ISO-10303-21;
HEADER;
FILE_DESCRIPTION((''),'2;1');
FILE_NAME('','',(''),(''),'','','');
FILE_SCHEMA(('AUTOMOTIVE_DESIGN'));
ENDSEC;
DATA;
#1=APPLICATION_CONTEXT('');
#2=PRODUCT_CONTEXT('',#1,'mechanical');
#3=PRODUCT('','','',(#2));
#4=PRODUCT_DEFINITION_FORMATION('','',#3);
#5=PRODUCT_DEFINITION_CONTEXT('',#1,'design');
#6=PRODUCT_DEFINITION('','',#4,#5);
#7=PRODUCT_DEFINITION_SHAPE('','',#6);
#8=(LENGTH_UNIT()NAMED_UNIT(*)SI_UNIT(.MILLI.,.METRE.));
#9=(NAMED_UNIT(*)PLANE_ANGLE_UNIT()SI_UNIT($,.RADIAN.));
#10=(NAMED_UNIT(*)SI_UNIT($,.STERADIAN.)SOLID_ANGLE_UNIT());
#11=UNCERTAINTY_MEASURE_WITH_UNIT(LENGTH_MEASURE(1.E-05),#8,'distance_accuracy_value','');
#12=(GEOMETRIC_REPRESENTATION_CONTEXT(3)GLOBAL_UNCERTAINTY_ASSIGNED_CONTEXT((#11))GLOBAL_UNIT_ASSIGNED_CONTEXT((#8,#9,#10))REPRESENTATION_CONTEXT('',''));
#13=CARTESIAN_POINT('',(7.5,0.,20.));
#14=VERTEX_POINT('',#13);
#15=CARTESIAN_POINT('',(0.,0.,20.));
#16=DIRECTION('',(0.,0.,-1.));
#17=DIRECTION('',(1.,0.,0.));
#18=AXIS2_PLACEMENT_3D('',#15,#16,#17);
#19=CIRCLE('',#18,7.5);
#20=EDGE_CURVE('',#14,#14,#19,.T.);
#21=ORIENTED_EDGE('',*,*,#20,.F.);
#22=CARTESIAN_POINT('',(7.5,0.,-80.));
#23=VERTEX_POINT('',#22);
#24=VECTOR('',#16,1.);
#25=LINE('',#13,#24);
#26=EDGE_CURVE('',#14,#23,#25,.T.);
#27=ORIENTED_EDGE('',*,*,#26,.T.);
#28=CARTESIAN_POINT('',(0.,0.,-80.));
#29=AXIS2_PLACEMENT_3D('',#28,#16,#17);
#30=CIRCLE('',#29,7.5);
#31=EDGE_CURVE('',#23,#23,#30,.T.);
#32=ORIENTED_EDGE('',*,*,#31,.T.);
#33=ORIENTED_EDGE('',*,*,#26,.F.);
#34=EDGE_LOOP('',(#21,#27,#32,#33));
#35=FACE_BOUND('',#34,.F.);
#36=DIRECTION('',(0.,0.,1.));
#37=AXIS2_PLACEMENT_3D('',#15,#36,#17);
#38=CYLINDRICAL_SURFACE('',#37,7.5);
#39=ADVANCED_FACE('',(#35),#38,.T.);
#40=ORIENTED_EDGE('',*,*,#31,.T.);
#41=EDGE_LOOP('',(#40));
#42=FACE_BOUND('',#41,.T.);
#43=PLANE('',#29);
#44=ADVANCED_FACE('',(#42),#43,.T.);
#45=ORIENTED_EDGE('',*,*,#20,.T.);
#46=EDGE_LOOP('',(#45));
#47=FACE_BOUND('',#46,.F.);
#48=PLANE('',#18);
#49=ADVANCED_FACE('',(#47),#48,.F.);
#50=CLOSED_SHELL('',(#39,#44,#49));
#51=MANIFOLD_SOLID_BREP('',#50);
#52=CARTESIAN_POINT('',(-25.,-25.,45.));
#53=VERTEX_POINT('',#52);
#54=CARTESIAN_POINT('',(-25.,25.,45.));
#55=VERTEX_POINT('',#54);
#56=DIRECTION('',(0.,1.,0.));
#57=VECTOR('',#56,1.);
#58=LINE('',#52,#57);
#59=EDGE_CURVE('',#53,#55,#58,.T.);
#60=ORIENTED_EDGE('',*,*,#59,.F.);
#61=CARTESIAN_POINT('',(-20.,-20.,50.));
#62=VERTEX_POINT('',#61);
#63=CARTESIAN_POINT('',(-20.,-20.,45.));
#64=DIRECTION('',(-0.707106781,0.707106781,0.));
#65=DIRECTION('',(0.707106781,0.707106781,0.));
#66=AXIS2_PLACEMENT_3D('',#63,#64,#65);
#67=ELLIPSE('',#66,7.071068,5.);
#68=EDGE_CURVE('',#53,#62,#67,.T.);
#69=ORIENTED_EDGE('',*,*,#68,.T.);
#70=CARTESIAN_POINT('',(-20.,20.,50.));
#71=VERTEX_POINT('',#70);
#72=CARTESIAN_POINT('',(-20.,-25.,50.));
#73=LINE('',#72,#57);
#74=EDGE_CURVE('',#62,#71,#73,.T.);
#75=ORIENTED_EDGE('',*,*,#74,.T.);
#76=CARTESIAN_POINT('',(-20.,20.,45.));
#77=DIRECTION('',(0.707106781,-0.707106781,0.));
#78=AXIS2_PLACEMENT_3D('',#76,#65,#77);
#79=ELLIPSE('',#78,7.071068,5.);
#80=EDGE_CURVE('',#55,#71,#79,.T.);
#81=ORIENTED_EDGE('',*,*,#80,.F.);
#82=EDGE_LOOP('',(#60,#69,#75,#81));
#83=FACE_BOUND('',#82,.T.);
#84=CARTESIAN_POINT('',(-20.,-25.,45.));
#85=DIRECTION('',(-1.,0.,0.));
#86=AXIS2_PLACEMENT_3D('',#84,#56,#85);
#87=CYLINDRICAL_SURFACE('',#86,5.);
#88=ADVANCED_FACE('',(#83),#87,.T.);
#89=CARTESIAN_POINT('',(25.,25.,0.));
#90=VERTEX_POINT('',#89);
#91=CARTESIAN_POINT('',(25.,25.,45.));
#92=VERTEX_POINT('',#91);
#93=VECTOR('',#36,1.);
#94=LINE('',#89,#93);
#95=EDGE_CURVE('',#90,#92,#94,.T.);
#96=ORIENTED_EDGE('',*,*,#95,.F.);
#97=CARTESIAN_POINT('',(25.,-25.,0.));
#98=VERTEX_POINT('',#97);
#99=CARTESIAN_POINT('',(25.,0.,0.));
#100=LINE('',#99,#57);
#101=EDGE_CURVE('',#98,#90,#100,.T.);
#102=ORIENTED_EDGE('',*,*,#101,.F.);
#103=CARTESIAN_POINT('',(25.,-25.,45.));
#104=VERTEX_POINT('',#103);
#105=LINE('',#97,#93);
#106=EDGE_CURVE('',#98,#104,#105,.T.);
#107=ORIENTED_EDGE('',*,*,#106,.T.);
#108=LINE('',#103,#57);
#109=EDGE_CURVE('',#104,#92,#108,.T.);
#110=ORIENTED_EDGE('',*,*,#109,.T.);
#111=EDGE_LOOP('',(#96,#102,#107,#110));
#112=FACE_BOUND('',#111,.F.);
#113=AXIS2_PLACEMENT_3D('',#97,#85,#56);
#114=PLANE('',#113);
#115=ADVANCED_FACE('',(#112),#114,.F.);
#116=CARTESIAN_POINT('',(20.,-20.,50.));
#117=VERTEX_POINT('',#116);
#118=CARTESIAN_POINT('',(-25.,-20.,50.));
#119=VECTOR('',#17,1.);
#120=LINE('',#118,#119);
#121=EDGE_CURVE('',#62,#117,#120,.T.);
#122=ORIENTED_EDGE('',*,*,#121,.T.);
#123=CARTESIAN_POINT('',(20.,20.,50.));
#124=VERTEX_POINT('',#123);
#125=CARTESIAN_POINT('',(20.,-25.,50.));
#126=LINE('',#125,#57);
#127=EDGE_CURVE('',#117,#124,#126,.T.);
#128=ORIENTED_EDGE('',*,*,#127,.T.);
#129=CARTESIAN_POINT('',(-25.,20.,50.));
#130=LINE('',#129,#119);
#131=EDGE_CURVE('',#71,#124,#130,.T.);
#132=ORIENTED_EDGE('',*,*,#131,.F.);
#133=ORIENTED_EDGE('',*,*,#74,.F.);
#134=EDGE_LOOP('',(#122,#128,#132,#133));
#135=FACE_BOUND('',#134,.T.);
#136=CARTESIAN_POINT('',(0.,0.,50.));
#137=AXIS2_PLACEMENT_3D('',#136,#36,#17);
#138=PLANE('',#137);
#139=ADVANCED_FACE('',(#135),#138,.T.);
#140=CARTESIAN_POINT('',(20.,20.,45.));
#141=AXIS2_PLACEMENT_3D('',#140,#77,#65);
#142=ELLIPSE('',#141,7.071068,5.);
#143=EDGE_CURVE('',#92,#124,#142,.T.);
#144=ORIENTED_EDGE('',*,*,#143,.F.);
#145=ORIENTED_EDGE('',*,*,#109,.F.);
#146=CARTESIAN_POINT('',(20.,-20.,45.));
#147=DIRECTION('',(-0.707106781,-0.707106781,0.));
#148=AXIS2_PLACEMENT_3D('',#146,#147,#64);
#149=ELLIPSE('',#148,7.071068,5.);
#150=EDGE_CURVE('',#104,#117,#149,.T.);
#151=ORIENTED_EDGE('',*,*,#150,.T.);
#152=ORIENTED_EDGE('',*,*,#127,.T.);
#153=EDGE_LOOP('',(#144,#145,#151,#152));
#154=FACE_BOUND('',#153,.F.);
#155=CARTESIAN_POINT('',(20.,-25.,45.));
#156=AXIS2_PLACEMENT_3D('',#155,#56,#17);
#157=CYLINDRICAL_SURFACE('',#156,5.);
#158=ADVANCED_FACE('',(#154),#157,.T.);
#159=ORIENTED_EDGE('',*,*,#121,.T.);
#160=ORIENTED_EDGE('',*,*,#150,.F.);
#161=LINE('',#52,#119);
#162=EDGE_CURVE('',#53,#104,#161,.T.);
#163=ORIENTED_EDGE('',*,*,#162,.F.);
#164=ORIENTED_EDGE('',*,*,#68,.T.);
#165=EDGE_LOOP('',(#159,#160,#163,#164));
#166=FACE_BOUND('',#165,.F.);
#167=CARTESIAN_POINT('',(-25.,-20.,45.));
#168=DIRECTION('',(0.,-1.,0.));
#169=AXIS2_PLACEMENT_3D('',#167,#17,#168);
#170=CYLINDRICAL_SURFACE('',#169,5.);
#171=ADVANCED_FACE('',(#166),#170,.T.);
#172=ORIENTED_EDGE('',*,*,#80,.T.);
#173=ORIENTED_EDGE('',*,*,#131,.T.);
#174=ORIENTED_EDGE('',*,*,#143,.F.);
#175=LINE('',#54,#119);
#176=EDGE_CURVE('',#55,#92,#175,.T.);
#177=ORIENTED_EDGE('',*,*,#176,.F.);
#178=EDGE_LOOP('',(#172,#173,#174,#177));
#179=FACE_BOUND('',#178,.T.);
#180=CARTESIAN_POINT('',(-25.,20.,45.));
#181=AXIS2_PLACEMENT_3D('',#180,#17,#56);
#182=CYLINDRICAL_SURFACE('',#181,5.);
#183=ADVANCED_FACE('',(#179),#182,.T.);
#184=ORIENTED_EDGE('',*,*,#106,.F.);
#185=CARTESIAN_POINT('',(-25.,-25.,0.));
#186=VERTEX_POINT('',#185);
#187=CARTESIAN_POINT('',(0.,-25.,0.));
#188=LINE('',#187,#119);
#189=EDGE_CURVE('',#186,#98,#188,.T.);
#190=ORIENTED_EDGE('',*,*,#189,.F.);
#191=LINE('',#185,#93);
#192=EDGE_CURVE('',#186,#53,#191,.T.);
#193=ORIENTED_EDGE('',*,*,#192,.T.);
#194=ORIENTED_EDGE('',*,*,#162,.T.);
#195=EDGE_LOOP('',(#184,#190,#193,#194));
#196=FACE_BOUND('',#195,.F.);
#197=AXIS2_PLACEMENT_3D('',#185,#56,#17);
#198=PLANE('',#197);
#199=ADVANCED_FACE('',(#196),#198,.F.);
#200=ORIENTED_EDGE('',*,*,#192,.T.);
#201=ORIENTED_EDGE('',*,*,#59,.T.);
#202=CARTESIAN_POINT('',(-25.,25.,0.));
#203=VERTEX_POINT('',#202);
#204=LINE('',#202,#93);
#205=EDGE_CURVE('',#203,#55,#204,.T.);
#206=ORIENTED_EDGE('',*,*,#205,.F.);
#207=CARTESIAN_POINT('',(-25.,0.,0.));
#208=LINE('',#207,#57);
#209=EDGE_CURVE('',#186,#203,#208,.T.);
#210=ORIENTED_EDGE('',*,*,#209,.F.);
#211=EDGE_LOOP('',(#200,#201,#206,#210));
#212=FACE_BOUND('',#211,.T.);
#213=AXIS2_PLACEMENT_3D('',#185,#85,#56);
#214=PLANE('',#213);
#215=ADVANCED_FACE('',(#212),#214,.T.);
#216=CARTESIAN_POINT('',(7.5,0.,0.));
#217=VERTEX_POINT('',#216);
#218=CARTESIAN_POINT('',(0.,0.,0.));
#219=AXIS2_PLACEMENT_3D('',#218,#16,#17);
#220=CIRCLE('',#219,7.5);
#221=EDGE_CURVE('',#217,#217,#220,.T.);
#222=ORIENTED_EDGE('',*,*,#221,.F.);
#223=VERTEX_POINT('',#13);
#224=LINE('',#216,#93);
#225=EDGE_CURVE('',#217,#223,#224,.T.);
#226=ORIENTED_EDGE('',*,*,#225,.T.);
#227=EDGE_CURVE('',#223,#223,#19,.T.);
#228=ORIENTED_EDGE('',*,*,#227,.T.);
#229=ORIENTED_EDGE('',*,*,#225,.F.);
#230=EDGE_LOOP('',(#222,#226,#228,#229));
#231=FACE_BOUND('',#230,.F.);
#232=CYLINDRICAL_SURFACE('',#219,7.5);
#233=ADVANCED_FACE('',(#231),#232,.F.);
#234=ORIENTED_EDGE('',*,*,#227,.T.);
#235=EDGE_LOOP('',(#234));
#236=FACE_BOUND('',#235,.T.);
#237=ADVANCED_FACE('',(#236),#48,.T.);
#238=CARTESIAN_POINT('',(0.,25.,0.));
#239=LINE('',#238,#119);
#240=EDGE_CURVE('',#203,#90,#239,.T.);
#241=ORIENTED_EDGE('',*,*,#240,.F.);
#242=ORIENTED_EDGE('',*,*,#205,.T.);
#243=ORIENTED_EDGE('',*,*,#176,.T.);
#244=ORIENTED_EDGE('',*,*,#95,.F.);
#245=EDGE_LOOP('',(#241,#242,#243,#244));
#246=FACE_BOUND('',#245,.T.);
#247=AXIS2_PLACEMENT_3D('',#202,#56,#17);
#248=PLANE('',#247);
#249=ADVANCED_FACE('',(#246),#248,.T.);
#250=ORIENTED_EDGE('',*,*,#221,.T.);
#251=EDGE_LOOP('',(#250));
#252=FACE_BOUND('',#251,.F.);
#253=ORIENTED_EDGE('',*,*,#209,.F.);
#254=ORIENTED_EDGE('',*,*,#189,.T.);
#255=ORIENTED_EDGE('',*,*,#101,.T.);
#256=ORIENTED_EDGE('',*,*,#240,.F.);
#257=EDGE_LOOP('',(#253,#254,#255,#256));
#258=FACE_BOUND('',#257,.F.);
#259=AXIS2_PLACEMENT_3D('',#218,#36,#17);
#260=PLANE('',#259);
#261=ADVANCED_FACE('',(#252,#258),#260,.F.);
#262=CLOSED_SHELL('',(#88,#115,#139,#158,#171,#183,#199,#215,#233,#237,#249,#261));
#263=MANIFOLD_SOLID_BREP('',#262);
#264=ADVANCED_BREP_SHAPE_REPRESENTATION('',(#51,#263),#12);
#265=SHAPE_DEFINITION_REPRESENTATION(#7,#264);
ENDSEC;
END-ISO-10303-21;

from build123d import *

# Parameters (mm, degrees)
F0_W      = 50
F0_H      = 50
F1_DEPTH  = 50
F2_R      = 5
F3_R      = 7.5
F4_DEPTH  = 20
F4_FACE_R = 7.5
F5_DEPTH  = 100


with BuildPart() as f1:
    # F0 (on Top) → F1 (new body)
    with BuildSketch(Plane.XY):
        Rectangle(F0_W, F0_H)
    extrude(amount=F1_DEPTH)

    # F2
    f2_edges = [f1.edges().sort_by_distance(p)[0] for p in [
        (25, 0, 50),
        (0, 25, 50),
        (-25, 0, 50),
        (0, -25, 50),
    ]]
    fillet(f2_edges, radius=F2_R)

    # F3 (on face) → F4 (cut)
    with BuildSketch(Plane(origin=(0, 0, 0), x_dir=(1, 0, 0), z_dir=(0, 0, -1))):
        Circle(F3_R)
    extrude(amount=-F4_DEPTH, mode=Mode.SUBTRACT)


with BuildPart() as f5:
    # F4_face (on face) → F5 (new body)
    with BuildSketch(Plane(origin=(0, 0, 20), x_dir=(1, 0, 0), z_dir=(0, 0, -1))):
        Circle(F4_FACE_R)
    extrude(amount=F5_DEPTH)


solid = Compound([f1.part, f5.part])
